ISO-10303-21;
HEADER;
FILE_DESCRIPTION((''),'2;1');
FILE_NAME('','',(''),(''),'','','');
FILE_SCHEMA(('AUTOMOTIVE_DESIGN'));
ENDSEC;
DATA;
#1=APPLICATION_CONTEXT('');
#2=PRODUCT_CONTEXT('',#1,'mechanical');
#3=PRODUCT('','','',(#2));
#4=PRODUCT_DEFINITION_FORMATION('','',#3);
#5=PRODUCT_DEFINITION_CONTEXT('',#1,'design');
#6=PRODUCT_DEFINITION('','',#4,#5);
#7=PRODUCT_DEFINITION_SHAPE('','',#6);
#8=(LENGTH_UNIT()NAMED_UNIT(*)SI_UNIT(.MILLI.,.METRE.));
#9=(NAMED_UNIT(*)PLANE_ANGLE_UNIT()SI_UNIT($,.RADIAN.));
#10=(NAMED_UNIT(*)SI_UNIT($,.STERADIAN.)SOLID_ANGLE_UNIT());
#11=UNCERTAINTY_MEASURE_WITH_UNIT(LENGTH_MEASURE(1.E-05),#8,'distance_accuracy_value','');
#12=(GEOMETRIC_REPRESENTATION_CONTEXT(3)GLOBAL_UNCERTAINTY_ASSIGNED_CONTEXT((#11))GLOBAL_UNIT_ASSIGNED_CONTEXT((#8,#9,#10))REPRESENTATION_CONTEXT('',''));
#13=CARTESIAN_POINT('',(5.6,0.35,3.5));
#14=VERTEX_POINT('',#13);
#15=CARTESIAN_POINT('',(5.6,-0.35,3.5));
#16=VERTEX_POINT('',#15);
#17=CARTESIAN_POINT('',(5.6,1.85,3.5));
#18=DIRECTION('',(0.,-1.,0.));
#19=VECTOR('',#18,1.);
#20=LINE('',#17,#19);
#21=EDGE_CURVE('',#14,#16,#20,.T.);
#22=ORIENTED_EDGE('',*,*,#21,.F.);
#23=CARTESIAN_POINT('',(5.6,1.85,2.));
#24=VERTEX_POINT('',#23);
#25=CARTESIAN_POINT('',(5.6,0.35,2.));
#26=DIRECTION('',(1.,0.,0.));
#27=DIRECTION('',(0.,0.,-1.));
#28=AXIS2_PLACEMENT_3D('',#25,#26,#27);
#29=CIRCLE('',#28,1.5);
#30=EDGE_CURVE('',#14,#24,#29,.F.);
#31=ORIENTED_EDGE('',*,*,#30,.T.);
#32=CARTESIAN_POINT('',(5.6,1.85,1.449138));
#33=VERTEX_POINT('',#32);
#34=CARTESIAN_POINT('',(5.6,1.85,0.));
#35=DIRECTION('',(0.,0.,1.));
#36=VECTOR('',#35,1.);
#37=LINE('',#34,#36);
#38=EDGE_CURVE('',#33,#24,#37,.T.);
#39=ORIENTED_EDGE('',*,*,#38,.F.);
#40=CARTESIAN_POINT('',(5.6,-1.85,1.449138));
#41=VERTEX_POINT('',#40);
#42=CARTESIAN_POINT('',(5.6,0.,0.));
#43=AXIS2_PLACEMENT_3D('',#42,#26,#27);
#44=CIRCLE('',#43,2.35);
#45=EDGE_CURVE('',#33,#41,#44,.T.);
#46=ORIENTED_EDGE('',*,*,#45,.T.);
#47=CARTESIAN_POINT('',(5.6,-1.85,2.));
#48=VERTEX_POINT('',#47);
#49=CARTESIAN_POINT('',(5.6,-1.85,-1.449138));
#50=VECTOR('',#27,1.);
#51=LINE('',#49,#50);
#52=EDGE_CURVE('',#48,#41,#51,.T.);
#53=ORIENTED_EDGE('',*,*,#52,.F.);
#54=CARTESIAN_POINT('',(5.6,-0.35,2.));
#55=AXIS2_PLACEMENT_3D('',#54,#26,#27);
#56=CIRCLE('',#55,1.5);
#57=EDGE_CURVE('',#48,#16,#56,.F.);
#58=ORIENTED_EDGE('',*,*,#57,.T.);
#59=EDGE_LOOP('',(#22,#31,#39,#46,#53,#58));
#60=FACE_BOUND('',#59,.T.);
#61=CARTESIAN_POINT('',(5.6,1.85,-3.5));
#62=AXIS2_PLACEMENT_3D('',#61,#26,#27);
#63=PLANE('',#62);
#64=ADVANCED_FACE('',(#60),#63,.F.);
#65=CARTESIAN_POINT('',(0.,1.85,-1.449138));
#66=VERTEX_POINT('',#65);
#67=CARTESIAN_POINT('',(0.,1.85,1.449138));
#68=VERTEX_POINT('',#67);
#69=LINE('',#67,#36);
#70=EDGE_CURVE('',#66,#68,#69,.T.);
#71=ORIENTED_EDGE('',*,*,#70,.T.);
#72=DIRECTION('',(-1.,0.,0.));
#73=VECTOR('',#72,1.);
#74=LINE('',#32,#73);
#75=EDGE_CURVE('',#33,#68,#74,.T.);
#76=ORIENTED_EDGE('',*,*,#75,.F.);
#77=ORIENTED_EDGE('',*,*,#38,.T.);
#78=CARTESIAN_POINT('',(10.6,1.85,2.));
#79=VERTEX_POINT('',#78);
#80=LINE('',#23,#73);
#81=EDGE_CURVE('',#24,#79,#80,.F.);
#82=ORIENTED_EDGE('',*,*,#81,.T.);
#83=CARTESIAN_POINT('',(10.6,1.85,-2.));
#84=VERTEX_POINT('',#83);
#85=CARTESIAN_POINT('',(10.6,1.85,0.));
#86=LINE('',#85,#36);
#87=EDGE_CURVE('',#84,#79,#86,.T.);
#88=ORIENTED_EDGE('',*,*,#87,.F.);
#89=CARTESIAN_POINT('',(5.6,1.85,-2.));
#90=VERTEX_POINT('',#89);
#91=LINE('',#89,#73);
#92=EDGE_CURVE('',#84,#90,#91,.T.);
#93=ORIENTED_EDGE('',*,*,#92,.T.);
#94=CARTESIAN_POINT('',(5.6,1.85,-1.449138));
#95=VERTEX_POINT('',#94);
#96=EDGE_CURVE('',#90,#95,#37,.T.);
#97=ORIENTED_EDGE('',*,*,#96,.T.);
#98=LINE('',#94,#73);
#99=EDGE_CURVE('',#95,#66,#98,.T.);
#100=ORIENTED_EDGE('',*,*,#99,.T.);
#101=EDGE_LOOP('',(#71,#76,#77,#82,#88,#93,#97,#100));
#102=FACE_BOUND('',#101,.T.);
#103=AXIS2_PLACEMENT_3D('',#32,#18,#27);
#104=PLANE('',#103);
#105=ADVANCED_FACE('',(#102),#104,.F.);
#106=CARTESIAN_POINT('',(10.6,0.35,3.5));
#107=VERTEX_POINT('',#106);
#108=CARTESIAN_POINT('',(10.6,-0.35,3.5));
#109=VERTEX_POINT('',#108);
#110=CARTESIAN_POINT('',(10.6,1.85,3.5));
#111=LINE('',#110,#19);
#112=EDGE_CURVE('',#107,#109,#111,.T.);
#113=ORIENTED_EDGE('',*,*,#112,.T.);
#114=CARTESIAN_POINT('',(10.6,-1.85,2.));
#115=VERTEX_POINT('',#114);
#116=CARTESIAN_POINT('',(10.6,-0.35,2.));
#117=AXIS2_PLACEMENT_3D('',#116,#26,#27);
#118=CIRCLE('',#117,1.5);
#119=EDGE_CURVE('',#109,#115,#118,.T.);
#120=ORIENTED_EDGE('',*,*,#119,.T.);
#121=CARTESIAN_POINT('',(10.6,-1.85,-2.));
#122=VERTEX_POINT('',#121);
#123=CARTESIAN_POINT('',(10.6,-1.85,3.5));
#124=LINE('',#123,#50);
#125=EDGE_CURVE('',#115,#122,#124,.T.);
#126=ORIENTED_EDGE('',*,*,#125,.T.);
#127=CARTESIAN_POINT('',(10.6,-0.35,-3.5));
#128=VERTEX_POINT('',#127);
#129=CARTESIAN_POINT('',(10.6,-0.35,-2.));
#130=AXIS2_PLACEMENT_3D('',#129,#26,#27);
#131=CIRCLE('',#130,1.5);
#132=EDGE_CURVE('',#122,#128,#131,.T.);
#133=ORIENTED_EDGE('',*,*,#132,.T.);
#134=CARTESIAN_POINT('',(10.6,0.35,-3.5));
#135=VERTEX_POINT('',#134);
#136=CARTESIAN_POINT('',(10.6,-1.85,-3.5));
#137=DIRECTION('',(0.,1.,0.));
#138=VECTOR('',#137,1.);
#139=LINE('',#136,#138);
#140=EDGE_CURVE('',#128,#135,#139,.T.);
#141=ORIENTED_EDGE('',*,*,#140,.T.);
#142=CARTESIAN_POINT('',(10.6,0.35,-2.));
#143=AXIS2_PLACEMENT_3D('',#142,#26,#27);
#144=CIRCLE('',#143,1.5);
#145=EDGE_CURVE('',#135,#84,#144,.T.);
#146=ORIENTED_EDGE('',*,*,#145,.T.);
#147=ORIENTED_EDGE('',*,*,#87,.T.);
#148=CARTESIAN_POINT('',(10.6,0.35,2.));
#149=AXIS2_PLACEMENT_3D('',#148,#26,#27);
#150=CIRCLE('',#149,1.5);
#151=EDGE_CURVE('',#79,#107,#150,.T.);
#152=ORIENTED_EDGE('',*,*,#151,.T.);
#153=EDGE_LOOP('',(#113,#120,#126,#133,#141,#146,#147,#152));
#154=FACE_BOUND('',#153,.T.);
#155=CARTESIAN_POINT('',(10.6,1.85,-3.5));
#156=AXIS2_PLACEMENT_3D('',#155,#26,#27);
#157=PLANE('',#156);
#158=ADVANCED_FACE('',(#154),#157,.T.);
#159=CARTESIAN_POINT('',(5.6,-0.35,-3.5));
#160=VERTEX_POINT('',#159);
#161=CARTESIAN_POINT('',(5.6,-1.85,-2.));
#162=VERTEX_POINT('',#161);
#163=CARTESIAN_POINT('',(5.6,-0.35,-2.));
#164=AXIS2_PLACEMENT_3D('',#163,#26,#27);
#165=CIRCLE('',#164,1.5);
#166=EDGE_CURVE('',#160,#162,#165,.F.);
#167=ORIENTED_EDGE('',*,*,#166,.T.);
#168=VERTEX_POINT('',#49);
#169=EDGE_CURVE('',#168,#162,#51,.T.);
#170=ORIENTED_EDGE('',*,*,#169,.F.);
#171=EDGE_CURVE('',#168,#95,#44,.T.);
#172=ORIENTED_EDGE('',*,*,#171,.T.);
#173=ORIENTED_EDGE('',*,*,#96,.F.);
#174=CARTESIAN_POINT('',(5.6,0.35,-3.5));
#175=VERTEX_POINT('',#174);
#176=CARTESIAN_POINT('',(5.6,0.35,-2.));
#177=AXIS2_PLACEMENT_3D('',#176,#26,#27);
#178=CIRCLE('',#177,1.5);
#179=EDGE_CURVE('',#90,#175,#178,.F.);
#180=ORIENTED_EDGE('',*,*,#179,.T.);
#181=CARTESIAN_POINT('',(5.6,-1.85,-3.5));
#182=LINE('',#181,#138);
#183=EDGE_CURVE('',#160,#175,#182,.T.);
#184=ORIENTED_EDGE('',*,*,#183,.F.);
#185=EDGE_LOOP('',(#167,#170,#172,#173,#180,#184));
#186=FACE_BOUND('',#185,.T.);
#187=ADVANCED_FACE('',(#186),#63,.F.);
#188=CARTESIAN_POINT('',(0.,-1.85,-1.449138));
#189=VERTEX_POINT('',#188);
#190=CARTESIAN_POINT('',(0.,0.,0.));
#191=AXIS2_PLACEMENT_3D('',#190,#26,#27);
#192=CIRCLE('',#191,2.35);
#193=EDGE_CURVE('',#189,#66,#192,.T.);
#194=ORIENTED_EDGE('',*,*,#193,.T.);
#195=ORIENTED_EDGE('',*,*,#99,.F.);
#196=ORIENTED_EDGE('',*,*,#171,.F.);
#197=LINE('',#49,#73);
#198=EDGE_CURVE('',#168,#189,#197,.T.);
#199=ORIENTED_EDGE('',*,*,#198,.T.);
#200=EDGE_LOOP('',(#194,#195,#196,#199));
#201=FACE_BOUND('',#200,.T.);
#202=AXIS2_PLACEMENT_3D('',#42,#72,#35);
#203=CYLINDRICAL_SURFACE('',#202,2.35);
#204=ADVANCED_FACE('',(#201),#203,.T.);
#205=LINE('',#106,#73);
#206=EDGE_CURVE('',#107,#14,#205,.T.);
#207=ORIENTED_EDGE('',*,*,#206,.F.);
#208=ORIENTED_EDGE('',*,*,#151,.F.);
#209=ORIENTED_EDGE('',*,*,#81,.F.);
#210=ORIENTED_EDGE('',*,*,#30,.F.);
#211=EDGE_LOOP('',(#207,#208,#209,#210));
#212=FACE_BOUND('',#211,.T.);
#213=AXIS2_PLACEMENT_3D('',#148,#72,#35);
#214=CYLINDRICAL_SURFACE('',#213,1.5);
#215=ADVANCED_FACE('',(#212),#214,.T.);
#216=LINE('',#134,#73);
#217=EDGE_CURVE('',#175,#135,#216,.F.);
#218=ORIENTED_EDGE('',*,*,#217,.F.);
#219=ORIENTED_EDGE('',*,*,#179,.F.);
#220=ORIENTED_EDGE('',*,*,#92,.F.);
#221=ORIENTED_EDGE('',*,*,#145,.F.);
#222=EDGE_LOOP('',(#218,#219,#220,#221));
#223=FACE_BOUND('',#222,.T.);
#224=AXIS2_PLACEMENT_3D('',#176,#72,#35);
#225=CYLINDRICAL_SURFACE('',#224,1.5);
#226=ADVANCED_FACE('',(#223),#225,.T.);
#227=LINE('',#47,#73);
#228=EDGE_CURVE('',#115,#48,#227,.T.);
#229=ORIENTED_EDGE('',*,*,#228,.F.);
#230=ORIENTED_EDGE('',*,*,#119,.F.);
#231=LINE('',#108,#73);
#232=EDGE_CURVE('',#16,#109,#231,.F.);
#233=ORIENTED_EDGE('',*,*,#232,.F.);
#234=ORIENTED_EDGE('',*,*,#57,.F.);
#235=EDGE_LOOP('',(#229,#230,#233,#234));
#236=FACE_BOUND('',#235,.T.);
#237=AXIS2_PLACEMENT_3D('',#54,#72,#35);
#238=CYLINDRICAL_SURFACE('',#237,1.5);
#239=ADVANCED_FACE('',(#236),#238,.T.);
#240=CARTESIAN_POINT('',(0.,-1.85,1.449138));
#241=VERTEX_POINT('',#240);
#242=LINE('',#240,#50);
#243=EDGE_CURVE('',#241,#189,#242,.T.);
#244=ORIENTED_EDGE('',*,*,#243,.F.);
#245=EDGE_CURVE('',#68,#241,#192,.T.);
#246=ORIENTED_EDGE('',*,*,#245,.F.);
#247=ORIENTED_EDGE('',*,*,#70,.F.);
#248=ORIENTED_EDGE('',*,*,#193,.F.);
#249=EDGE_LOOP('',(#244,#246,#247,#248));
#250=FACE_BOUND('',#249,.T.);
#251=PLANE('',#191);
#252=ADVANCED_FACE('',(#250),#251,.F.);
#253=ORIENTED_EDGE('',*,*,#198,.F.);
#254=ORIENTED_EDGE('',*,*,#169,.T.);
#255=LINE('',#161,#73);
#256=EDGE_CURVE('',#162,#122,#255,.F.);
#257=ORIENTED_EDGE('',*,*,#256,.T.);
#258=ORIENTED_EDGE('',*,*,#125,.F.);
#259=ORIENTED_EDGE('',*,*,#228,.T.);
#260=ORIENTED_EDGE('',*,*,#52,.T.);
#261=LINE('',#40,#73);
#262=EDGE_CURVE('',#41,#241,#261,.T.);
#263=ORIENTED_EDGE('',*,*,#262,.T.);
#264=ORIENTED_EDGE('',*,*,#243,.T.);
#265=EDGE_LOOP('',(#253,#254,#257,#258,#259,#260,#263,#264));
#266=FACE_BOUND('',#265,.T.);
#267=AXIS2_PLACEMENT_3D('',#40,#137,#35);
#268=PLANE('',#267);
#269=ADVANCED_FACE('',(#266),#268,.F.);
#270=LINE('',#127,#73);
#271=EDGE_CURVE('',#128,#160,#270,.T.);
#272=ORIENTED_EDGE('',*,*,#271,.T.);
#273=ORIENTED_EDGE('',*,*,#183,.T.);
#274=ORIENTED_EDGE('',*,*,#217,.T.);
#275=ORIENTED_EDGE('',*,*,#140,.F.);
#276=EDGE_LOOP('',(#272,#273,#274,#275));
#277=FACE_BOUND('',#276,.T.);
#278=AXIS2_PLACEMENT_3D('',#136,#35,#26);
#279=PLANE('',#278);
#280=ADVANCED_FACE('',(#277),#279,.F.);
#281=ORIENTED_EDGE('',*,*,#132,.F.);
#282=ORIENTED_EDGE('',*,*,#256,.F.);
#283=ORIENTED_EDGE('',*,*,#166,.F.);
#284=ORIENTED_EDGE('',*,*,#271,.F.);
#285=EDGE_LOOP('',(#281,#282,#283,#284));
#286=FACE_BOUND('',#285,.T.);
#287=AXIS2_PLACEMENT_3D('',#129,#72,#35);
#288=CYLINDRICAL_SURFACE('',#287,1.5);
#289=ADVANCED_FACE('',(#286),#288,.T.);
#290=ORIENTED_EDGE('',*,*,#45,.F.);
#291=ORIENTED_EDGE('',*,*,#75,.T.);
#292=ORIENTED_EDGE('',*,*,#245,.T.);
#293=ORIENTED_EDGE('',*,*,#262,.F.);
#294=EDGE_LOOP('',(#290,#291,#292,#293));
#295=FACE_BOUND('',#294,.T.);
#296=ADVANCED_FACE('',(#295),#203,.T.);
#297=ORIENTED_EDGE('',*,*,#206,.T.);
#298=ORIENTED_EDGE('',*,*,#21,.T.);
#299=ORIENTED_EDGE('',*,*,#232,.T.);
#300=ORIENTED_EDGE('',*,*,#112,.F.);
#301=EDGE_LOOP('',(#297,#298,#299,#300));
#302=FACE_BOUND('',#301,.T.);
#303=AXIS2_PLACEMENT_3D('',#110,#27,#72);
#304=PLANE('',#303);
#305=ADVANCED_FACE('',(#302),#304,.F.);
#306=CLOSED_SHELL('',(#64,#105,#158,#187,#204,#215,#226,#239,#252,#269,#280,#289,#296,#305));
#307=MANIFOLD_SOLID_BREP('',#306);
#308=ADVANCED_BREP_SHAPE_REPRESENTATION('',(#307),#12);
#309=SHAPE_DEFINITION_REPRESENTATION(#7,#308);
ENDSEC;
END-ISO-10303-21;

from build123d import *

# Parameters (mm, degrees)
BOSS_EXTRUDE1_DEPTH = 5.6
BOSS_EXTRUDE2_DEPTH = 5
FILLET1_R           = 1.5


with BuildPart() as part:
    # Sketch1 → Boss-Extrude1 (new body)
    with BuildSketch(Plane(origin=(0, 0, 0), x_dir=(0, 0, -1), z_dir=(1, 0, 0))):
        with BuildLine():
            Line((-1.449137675, 1.85), (1.449137675, 1.85))
            ThreePointArc((1.449137675, 1.85), (2.35, 0), (1.449137675, -1.85))
            Line((1.449137675, -1.85), (-1.449137675, -1.85))
            ThreePointArc((-1.449137675, -1.85), (-2.35, 0), (-1.449137675, 1.85))
        make_face()
    extrude(amount=BOSS_EXTRUDE1_DEPTH)

    # Sketch2 → Boss-Extrude2 (add)
    with BuildSketch(Plane(origin=(5.6, 0, 0), x_dir=(0, 0, -1), z_dir=(1, 0, 0))):
        Polygon((0, 1.85), (-3.5, 1.85), (-3.5, -1.85), (-1.449137675, -1.85), (1.449137675, -1.85), (3.5, -1.85), (3.5, 1.85), align=None)
    extrude(amount=BOSS_EXTRUDE2_DEPTH)

    # Fillet1
    fillet1_edges = [part.edges().sort_by_distance(p)[0] for p in [
        (8.1, -1.85, -3.5),
        (8.1, 1.85, -3.5),
        (8.1, -1.85, 3.5),
        (8.1, 1.85, 3.5),
    ]]
    fillet(fillet1_edges, radius=FILLET1_R)


solid = part.part
